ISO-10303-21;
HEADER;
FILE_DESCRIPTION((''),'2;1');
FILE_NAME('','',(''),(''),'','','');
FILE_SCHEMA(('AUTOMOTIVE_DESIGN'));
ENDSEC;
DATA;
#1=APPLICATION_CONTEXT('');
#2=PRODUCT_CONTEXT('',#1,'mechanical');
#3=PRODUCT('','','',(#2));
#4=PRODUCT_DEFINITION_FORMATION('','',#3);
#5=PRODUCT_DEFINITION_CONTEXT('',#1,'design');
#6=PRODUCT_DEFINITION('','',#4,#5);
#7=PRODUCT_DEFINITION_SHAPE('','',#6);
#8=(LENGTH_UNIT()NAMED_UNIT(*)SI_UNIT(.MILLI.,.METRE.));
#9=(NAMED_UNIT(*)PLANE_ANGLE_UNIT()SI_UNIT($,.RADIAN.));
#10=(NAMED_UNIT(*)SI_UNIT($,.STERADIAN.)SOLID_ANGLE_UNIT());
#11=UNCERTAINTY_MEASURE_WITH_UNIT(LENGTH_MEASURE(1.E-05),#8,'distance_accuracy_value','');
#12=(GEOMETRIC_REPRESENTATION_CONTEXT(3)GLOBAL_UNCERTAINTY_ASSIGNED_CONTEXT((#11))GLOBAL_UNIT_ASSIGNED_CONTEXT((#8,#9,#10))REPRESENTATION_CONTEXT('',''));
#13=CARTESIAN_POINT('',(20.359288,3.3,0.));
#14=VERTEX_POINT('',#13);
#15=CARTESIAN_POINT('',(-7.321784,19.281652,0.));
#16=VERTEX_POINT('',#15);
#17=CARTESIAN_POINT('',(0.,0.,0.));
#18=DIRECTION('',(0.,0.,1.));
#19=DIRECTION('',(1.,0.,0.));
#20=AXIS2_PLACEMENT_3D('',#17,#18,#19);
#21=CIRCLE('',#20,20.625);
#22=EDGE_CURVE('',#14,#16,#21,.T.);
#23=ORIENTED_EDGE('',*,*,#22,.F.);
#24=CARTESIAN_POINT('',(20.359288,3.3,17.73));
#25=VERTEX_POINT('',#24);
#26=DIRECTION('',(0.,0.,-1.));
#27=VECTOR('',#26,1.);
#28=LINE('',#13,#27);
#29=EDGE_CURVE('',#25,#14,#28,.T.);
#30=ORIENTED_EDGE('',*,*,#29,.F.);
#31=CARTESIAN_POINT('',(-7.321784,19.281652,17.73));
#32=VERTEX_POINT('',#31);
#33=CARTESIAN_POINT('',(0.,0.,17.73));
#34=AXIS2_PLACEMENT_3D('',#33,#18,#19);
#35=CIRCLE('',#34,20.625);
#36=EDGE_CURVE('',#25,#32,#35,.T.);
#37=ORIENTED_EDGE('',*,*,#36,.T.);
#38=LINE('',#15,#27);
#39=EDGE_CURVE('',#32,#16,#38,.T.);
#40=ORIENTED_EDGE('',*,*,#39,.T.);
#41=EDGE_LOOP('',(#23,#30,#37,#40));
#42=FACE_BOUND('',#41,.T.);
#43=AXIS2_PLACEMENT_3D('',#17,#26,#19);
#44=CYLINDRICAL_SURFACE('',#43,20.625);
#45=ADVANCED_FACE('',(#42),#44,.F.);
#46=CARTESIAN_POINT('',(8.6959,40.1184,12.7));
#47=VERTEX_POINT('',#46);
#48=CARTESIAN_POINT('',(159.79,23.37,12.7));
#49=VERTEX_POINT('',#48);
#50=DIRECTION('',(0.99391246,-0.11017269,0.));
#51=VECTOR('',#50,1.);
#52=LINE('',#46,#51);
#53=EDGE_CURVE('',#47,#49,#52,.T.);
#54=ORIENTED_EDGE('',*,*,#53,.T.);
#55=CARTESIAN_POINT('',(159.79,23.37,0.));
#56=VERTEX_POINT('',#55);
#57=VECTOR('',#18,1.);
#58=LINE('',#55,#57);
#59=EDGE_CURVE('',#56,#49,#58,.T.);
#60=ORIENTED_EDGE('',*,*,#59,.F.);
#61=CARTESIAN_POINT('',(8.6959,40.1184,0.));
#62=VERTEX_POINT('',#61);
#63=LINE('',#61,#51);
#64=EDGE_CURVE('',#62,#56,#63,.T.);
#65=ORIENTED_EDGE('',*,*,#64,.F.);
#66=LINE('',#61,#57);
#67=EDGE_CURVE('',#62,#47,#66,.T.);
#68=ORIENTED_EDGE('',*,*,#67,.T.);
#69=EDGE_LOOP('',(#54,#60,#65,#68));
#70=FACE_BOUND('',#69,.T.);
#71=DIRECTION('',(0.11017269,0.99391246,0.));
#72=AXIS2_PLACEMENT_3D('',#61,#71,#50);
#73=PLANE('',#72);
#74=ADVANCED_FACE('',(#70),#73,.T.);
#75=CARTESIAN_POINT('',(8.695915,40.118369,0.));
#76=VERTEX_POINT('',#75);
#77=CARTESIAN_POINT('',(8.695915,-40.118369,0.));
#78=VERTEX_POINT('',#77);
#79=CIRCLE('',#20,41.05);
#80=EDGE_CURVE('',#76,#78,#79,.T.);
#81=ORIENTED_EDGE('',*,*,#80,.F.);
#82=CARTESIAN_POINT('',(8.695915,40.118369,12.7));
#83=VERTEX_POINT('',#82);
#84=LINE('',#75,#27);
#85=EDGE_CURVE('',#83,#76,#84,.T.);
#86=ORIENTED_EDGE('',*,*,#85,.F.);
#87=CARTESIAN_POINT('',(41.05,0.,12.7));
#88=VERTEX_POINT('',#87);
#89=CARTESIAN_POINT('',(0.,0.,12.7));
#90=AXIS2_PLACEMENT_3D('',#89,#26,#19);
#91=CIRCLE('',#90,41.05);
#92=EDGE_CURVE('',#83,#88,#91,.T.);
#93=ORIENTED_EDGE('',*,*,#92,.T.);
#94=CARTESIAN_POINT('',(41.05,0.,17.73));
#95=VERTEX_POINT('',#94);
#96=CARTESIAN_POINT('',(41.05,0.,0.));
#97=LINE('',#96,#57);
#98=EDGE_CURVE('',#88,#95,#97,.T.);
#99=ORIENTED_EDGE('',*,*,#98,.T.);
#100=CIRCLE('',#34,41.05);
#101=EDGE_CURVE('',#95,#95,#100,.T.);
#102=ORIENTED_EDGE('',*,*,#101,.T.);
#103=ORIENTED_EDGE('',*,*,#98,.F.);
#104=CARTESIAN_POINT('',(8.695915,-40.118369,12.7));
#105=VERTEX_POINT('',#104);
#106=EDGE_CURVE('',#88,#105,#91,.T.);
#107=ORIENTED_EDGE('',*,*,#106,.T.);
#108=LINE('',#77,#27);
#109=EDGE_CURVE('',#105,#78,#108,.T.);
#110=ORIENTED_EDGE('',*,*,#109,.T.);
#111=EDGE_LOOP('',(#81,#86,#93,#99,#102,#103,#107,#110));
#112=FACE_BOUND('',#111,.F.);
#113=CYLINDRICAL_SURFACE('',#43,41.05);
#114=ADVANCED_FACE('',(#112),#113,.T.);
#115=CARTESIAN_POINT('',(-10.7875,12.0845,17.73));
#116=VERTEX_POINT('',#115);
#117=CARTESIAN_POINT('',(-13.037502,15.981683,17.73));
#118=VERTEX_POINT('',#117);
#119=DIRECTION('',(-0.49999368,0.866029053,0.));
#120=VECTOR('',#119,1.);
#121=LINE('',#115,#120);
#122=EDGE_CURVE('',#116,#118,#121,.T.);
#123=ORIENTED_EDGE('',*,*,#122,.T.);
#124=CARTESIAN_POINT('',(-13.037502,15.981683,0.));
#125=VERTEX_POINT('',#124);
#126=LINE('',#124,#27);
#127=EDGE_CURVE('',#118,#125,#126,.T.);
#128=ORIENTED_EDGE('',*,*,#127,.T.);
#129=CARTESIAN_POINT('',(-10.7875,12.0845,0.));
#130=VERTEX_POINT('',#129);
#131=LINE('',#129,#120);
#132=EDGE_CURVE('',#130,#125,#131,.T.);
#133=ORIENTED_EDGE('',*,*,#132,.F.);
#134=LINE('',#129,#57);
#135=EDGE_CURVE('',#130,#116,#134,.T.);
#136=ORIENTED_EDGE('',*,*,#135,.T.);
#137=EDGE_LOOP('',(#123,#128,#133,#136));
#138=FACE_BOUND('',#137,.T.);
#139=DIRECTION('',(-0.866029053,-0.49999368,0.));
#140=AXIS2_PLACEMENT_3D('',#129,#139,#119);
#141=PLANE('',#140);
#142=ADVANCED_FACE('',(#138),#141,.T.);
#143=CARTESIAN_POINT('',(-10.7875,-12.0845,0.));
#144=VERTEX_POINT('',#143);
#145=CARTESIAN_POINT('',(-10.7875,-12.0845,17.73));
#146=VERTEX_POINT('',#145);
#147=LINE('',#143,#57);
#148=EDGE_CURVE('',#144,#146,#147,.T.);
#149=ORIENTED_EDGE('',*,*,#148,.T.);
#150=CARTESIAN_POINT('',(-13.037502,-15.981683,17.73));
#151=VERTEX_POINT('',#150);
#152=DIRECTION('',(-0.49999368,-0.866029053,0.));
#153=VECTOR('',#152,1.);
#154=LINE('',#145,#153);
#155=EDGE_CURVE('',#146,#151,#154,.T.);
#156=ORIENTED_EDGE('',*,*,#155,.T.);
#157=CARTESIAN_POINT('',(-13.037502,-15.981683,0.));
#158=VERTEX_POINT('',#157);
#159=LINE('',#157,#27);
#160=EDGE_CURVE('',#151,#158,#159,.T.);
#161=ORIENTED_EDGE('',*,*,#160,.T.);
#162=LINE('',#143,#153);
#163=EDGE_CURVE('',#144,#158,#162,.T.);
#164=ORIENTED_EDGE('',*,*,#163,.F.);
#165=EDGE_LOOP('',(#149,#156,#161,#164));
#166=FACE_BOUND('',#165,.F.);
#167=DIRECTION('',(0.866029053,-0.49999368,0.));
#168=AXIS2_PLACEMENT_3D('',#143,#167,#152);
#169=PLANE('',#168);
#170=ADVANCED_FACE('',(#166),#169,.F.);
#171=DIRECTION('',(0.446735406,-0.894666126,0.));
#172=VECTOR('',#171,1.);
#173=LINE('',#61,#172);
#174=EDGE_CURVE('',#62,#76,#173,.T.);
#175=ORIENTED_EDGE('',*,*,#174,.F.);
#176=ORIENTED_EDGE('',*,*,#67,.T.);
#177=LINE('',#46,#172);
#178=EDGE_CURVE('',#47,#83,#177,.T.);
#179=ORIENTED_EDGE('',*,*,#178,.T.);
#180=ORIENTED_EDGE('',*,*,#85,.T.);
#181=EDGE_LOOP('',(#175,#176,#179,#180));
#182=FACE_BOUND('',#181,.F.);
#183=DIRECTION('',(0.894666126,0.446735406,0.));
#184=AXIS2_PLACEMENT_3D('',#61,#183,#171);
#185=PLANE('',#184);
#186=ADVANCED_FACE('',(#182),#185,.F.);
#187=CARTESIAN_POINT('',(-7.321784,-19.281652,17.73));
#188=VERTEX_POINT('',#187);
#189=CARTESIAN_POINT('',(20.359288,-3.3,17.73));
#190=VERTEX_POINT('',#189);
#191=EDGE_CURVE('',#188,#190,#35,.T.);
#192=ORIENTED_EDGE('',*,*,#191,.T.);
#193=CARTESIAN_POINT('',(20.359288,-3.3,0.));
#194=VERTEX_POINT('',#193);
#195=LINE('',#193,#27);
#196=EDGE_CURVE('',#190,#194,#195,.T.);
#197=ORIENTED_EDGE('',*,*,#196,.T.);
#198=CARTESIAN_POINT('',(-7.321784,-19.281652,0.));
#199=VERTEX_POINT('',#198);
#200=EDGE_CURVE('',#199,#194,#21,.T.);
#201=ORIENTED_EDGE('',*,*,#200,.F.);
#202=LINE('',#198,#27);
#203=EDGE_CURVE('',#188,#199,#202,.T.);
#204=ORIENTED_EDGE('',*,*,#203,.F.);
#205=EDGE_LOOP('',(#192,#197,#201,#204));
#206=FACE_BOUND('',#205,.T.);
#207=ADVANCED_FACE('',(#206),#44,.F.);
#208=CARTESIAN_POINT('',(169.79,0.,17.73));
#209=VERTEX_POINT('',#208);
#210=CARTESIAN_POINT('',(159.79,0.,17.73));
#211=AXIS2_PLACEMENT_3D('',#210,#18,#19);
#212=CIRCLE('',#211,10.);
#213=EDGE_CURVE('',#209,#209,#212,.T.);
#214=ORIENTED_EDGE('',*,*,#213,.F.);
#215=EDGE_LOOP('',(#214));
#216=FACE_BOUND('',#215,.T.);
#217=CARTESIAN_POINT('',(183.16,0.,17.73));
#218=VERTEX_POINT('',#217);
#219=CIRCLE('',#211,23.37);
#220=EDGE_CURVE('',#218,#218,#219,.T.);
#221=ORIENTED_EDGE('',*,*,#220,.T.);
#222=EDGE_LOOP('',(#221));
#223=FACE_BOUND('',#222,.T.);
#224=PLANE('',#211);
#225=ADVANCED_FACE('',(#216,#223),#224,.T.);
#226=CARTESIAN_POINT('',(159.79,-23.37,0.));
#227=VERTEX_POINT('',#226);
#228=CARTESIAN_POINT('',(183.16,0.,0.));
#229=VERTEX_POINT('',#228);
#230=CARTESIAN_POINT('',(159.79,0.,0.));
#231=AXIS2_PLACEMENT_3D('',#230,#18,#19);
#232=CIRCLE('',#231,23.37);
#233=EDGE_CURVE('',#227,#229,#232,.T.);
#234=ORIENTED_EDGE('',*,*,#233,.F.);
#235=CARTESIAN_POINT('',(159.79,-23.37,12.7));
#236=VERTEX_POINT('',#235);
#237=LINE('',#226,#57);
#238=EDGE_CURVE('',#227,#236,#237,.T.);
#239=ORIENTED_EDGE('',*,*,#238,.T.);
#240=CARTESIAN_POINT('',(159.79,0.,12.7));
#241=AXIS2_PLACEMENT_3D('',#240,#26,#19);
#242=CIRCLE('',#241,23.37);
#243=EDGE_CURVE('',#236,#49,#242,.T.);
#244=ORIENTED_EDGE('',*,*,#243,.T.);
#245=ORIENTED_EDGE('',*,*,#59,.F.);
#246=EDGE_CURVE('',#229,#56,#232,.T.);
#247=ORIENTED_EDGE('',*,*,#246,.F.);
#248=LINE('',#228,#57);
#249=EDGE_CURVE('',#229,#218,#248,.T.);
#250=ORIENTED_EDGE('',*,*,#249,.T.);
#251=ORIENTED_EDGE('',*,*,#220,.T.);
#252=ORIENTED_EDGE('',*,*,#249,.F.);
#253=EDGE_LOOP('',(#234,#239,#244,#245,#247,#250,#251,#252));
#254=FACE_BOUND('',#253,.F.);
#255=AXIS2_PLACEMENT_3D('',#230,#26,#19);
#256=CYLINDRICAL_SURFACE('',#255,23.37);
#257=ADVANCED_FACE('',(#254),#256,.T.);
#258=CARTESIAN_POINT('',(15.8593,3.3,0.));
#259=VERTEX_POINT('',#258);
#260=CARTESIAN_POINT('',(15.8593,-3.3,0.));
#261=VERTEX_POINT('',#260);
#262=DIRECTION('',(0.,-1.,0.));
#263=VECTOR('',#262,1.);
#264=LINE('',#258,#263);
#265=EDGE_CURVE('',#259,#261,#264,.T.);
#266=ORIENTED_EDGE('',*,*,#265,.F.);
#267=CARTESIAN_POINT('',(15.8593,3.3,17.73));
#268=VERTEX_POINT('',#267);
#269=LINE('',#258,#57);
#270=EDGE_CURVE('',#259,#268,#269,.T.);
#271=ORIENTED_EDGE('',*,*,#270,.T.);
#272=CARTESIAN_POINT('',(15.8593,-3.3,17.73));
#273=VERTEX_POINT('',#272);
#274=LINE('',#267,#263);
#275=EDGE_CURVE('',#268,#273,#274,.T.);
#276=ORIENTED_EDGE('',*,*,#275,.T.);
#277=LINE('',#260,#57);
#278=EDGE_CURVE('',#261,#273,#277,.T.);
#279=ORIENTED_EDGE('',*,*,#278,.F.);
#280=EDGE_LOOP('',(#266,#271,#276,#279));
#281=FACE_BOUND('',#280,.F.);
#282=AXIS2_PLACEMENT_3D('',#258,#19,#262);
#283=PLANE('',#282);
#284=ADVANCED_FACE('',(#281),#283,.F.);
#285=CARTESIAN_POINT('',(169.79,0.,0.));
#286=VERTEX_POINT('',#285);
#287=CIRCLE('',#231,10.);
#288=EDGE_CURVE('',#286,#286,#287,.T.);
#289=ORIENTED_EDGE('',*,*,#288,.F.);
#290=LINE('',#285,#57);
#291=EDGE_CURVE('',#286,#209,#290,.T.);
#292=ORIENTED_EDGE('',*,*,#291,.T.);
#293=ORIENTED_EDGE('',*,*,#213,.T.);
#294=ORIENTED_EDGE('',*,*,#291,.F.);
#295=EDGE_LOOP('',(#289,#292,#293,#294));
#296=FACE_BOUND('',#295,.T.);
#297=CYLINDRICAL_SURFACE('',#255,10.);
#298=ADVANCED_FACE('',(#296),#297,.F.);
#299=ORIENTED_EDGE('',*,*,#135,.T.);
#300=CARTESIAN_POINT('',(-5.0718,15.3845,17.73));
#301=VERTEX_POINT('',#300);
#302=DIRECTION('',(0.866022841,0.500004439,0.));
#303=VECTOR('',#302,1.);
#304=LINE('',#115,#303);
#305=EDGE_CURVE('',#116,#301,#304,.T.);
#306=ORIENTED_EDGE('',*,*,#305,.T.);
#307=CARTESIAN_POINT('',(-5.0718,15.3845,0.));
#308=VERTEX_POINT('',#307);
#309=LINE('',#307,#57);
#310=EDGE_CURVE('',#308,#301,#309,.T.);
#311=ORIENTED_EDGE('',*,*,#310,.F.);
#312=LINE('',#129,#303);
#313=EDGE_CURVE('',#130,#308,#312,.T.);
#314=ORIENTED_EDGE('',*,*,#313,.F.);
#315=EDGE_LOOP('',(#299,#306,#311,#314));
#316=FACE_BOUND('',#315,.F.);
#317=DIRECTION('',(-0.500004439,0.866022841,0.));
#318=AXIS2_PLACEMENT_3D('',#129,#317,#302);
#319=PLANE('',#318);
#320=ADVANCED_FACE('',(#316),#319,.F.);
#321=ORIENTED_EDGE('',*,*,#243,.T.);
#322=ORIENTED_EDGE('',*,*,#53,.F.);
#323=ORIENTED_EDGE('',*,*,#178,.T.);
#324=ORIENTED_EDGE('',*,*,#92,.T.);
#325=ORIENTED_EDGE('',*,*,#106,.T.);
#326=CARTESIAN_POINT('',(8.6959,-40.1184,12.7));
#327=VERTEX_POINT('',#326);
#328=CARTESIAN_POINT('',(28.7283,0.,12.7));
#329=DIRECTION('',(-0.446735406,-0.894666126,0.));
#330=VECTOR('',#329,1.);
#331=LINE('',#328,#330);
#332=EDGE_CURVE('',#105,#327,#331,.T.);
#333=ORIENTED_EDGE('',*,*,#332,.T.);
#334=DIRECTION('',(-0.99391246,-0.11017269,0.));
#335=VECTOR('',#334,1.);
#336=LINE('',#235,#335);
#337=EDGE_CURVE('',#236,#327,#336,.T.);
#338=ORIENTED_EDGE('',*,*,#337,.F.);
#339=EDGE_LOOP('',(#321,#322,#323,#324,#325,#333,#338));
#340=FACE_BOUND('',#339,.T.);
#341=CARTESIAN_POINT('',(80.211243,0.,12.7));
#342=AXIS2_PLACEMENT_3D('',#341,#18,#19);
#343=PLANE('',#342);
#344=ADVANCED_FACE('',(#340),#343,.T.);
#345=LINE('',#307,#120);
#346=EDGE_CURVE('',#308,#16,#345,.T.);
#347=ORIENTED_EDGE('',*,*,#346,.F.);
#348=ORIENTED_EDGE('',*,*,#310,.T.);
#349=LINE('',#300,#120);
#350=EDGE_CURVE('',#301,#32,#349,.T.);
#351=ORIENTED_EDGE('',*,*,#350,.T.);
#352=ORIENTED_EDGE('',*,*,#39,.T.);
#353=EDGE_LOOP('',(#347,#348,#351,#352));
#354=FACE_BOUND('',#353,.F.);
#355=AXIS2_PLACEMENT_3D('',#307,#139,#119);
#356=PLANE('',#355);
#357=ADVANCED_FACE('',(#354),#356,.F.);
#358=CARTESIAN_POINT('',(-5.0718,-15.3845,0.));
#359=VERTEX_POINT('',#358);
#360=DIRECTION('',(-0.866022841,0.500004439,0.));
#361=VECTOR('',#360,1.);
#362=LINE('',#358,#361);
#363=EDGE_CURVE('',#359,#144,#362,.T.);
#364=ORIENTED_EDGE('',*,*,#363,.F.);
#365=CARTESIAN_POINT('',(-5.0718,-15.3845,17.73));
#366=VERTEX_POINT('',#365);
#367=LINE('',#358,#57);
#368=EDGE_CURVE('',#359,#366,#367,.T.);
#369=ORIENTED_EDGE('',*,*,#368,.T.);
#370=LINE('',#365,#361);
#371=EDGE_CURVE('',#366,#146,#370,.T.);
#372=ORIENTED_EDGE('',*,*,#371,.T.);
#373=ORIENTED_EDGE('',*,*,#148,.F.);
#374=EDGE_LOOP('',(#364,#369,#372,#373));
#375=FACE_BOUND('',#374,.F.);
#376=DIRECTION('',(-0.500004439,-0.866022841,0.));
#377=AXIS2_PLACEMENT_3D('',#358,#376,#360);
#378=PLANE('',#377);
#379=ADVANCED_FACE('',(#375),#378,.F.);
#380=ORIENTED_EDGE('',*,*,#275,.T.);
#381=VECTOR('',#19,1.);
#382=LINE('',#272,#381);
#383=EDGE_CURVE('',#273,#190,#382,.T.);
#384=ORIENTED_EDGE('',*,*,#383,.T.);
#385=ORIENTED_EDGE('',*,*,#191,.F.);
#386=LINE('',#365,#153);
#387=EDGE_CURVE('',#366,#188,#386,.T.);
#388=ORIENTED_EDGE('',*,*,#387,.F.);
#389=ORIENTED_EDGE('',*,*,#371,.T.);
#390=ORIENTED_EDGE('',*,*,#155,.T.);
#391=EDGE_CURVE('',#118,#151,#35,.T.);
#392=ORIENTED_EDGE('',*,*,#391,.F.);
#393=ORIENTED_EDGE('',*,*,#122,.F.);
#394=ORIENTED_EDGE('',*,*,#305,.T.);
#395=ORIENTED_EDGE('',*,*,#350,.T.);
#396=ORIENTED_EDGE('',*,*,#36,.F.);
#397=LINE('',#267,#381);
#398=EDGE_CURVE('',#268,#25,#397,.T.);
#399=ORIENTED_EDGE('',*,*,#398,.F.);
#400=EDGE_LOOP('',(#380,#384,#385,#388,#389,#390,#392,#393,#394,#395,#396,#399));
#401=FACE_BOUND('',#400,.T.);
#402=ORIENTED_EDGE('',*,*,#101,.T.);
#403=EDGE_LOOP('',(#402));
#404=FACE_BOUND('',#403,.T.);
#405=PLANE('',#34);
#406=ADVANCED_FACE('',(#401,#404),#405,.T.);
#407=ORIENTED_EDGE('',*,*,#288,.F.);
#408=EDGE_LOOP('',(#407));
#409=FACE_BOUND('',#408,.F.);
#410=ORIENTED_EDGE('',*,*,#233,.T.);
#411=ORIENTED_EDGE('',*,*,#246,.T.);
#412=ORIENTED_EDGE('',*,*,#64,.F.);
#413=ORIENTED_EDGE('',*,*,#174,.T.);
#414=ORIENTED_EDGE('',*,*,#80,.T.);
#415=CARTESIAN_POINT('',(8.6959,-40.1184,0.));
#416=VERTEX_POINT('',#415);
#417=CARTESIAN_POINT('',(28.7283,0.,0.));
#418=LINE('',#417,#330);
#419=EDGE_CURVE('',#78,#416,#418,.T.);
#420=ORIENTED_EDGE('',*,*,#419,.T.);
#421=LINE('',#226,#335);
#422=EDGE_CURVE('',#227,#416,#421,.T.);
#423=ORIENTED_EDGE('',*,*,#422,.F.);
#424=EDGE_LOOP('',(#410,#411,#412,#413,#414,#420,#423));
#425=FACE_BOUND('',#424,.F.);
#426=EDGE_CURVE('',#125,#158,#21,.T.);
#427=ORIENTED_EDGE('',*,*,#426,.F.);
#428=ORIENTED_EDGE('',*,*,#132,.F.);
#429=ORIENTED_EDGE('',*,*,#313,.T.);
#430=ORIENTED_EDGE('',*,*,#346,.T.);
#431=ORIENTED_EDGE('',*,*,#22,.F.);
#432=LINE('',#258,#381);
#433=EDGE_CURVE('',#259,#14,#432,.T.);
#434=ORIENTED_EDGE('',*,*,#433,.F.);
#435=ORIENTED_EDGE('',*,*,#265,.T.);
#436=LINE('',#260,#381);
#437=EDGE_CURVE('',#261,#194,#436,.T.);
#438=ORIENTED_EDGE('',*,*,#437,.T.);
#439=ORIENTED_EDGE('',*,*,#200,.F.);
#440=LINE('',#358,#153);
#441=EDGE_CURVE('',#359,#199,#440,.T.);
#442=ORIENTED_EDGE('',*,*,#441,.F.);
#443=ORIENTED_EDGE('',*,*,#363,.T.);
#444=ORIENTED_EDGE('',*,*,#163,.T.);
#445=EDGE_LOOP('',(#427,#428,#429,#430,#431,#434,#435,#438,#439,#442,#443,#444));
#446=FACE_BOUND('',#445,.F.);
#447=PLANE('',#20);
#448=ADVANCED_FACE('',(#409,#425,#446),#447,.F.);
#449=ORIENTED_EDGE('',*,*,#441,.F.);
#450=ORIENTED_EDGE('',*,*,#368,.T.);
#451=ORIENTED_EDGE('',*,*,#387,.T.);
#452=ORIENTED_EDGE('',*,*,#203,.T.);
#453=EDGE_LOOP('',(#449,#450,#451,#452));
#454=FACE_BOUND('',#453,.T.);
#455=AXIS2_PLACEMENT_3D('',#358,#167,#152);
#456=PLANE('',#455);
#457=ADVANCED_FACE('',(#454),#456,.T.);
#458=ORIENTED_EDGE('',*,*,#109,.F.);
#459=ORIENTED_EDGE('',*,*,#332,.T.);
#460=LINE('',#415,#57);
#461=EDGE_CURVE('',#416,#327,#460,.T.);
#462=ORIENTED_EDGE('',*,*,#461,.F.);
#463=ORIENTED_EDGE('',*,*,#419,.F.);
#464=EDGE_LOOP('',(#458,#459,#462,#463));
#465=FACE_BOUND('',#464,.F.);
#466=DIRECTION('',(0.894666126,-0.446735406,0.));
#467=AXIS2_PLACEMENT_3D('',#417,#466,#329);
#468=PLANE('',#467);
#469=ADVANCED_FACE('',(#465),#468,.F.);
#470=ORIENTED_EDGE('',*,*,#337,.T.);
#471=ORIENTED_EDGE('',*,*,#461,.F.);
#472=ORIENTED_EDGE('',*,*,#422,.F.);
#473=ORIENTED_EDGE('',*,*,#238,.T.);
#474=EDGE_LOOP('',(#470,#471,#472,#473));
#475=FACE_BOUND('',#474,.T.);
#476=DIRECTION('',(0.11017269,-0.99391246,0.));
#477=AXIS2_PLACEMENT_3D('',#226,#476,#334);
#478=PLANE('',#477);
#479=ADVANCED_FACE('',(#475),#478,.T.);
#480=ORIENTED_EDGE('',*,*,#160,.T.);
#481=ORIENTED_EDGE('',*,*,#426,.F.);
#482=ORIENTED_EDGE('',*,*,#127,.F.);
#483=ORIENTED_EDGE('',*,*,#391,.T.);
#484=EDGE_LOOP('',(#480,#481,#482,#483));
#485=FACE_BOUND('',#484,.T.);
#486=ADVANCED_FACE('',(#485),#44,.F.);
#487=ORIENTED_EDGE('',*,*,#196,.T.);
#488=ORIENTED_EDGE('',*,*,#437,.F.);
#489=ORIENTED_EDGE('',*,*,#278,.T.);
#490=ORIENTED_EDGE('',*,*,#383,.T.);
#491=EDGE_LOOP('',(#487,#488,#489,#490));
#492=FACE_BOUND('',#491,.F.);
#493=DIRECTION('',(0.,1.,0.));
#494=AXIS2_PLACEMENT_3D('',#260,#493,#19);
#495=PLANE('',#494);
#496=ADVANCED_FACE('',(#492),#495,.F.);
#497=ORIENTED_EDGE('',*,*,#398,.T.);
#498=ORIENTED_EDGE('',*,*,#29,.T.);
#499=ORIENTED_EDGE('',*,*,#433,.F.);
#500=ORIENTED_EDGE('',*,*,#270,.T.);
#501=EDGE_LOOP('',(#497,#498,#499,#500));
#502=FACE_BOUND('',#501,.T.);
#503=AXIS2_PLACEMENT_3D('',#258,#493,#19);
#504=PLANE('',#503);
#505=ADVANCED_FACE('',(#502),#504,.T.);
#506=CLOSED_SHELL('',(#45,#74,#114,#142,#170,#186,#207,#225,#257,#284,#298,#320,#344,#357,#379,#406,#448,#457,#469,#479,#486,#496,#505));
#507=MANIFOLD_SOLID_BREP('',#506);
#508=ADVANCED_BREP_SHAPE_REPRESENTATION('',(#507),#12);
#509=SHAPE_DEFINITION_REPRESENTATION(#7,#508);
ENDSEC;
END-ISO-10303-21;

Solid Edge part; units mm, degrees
sketch "Sketch1" plane through (0, 0, 0) normal (0, 0, 1) x (1, 0, 0)
  circle A0 centre (0, 0) radius 41.05
  circle A1 centre (0, 0) radius 20.625
  circle A2 centre (159.79, 0) radius 23.37
  circle A3 centre (159.79, 0) radius 10
  dimension "D1" = 159.79
extrude "Protrusion1" add sketch "Sketch1" along normal blind 17.73
sketch "Sketch2" plane through (0, 0, 0) normal (0, 0, 1) x (1, 0, 0)
  line L0 (159.79, -23.37) -> (139.6358, 0)
  line L1 (139.6358, 0) -> (159.79, 23.37)
  line L2 (8.6959, 40.1184) -> (159.79, 23.37)
  line L3 (8.6959, 40.1184) -> (28.7283, 0)
  line L4 (28.7283, 0) -> (8.6959, -40.1184)
  line L5 (159.79, -23.37) -> (8.6959, -40.1184)
extrude "ExtrudedProtrusion_2" add sketch "Sketch2" along normal blind 12.7
sketch "Sketch3" plane through (0, 0, 0) normal (0, 0, 1) x (1, 0, 0)
  line L0 (-5.0718, -15.3845) -> (-10.7875, -12.0845)
  line L1 (-10.7875, -12.0845) -> (-13.2875, -16.4147)
  line L2 (-13.2875, -16.4147) -> (-7.5718, -19.7147)
  line L3 (-5.0718, -15.3845) -> (-7.5718, -19.7147)
  line L4 (-10.7875, 12.0845) -> (-5.0718, 15.3845)
  line L5 (-5.0718, 15.3845) -> (-7.5718, 19.7147)
  line L6 (-7.5718, 19.7147) -> (-13.2875, 16.4147)
  line L7 (-10.7875, 12.0845) -> (-13.2875, 16.4147)
  line L8 (15.8593, -3.3) -> (20.8593, -3.3)
  line L9 (20.8593, -3.3) -> (20.8593, 3.3)
  line L10 (15.8593, 3.3) -> (20.8593, 3.3)
  line L11 (15.8593, 3.3) -> (15.8593, -3.3)
  dimension "D1" = 159.79
extrude "Protrusion2" add sketch "Sketch3" along normal up to vertex (17.73 mm away)
